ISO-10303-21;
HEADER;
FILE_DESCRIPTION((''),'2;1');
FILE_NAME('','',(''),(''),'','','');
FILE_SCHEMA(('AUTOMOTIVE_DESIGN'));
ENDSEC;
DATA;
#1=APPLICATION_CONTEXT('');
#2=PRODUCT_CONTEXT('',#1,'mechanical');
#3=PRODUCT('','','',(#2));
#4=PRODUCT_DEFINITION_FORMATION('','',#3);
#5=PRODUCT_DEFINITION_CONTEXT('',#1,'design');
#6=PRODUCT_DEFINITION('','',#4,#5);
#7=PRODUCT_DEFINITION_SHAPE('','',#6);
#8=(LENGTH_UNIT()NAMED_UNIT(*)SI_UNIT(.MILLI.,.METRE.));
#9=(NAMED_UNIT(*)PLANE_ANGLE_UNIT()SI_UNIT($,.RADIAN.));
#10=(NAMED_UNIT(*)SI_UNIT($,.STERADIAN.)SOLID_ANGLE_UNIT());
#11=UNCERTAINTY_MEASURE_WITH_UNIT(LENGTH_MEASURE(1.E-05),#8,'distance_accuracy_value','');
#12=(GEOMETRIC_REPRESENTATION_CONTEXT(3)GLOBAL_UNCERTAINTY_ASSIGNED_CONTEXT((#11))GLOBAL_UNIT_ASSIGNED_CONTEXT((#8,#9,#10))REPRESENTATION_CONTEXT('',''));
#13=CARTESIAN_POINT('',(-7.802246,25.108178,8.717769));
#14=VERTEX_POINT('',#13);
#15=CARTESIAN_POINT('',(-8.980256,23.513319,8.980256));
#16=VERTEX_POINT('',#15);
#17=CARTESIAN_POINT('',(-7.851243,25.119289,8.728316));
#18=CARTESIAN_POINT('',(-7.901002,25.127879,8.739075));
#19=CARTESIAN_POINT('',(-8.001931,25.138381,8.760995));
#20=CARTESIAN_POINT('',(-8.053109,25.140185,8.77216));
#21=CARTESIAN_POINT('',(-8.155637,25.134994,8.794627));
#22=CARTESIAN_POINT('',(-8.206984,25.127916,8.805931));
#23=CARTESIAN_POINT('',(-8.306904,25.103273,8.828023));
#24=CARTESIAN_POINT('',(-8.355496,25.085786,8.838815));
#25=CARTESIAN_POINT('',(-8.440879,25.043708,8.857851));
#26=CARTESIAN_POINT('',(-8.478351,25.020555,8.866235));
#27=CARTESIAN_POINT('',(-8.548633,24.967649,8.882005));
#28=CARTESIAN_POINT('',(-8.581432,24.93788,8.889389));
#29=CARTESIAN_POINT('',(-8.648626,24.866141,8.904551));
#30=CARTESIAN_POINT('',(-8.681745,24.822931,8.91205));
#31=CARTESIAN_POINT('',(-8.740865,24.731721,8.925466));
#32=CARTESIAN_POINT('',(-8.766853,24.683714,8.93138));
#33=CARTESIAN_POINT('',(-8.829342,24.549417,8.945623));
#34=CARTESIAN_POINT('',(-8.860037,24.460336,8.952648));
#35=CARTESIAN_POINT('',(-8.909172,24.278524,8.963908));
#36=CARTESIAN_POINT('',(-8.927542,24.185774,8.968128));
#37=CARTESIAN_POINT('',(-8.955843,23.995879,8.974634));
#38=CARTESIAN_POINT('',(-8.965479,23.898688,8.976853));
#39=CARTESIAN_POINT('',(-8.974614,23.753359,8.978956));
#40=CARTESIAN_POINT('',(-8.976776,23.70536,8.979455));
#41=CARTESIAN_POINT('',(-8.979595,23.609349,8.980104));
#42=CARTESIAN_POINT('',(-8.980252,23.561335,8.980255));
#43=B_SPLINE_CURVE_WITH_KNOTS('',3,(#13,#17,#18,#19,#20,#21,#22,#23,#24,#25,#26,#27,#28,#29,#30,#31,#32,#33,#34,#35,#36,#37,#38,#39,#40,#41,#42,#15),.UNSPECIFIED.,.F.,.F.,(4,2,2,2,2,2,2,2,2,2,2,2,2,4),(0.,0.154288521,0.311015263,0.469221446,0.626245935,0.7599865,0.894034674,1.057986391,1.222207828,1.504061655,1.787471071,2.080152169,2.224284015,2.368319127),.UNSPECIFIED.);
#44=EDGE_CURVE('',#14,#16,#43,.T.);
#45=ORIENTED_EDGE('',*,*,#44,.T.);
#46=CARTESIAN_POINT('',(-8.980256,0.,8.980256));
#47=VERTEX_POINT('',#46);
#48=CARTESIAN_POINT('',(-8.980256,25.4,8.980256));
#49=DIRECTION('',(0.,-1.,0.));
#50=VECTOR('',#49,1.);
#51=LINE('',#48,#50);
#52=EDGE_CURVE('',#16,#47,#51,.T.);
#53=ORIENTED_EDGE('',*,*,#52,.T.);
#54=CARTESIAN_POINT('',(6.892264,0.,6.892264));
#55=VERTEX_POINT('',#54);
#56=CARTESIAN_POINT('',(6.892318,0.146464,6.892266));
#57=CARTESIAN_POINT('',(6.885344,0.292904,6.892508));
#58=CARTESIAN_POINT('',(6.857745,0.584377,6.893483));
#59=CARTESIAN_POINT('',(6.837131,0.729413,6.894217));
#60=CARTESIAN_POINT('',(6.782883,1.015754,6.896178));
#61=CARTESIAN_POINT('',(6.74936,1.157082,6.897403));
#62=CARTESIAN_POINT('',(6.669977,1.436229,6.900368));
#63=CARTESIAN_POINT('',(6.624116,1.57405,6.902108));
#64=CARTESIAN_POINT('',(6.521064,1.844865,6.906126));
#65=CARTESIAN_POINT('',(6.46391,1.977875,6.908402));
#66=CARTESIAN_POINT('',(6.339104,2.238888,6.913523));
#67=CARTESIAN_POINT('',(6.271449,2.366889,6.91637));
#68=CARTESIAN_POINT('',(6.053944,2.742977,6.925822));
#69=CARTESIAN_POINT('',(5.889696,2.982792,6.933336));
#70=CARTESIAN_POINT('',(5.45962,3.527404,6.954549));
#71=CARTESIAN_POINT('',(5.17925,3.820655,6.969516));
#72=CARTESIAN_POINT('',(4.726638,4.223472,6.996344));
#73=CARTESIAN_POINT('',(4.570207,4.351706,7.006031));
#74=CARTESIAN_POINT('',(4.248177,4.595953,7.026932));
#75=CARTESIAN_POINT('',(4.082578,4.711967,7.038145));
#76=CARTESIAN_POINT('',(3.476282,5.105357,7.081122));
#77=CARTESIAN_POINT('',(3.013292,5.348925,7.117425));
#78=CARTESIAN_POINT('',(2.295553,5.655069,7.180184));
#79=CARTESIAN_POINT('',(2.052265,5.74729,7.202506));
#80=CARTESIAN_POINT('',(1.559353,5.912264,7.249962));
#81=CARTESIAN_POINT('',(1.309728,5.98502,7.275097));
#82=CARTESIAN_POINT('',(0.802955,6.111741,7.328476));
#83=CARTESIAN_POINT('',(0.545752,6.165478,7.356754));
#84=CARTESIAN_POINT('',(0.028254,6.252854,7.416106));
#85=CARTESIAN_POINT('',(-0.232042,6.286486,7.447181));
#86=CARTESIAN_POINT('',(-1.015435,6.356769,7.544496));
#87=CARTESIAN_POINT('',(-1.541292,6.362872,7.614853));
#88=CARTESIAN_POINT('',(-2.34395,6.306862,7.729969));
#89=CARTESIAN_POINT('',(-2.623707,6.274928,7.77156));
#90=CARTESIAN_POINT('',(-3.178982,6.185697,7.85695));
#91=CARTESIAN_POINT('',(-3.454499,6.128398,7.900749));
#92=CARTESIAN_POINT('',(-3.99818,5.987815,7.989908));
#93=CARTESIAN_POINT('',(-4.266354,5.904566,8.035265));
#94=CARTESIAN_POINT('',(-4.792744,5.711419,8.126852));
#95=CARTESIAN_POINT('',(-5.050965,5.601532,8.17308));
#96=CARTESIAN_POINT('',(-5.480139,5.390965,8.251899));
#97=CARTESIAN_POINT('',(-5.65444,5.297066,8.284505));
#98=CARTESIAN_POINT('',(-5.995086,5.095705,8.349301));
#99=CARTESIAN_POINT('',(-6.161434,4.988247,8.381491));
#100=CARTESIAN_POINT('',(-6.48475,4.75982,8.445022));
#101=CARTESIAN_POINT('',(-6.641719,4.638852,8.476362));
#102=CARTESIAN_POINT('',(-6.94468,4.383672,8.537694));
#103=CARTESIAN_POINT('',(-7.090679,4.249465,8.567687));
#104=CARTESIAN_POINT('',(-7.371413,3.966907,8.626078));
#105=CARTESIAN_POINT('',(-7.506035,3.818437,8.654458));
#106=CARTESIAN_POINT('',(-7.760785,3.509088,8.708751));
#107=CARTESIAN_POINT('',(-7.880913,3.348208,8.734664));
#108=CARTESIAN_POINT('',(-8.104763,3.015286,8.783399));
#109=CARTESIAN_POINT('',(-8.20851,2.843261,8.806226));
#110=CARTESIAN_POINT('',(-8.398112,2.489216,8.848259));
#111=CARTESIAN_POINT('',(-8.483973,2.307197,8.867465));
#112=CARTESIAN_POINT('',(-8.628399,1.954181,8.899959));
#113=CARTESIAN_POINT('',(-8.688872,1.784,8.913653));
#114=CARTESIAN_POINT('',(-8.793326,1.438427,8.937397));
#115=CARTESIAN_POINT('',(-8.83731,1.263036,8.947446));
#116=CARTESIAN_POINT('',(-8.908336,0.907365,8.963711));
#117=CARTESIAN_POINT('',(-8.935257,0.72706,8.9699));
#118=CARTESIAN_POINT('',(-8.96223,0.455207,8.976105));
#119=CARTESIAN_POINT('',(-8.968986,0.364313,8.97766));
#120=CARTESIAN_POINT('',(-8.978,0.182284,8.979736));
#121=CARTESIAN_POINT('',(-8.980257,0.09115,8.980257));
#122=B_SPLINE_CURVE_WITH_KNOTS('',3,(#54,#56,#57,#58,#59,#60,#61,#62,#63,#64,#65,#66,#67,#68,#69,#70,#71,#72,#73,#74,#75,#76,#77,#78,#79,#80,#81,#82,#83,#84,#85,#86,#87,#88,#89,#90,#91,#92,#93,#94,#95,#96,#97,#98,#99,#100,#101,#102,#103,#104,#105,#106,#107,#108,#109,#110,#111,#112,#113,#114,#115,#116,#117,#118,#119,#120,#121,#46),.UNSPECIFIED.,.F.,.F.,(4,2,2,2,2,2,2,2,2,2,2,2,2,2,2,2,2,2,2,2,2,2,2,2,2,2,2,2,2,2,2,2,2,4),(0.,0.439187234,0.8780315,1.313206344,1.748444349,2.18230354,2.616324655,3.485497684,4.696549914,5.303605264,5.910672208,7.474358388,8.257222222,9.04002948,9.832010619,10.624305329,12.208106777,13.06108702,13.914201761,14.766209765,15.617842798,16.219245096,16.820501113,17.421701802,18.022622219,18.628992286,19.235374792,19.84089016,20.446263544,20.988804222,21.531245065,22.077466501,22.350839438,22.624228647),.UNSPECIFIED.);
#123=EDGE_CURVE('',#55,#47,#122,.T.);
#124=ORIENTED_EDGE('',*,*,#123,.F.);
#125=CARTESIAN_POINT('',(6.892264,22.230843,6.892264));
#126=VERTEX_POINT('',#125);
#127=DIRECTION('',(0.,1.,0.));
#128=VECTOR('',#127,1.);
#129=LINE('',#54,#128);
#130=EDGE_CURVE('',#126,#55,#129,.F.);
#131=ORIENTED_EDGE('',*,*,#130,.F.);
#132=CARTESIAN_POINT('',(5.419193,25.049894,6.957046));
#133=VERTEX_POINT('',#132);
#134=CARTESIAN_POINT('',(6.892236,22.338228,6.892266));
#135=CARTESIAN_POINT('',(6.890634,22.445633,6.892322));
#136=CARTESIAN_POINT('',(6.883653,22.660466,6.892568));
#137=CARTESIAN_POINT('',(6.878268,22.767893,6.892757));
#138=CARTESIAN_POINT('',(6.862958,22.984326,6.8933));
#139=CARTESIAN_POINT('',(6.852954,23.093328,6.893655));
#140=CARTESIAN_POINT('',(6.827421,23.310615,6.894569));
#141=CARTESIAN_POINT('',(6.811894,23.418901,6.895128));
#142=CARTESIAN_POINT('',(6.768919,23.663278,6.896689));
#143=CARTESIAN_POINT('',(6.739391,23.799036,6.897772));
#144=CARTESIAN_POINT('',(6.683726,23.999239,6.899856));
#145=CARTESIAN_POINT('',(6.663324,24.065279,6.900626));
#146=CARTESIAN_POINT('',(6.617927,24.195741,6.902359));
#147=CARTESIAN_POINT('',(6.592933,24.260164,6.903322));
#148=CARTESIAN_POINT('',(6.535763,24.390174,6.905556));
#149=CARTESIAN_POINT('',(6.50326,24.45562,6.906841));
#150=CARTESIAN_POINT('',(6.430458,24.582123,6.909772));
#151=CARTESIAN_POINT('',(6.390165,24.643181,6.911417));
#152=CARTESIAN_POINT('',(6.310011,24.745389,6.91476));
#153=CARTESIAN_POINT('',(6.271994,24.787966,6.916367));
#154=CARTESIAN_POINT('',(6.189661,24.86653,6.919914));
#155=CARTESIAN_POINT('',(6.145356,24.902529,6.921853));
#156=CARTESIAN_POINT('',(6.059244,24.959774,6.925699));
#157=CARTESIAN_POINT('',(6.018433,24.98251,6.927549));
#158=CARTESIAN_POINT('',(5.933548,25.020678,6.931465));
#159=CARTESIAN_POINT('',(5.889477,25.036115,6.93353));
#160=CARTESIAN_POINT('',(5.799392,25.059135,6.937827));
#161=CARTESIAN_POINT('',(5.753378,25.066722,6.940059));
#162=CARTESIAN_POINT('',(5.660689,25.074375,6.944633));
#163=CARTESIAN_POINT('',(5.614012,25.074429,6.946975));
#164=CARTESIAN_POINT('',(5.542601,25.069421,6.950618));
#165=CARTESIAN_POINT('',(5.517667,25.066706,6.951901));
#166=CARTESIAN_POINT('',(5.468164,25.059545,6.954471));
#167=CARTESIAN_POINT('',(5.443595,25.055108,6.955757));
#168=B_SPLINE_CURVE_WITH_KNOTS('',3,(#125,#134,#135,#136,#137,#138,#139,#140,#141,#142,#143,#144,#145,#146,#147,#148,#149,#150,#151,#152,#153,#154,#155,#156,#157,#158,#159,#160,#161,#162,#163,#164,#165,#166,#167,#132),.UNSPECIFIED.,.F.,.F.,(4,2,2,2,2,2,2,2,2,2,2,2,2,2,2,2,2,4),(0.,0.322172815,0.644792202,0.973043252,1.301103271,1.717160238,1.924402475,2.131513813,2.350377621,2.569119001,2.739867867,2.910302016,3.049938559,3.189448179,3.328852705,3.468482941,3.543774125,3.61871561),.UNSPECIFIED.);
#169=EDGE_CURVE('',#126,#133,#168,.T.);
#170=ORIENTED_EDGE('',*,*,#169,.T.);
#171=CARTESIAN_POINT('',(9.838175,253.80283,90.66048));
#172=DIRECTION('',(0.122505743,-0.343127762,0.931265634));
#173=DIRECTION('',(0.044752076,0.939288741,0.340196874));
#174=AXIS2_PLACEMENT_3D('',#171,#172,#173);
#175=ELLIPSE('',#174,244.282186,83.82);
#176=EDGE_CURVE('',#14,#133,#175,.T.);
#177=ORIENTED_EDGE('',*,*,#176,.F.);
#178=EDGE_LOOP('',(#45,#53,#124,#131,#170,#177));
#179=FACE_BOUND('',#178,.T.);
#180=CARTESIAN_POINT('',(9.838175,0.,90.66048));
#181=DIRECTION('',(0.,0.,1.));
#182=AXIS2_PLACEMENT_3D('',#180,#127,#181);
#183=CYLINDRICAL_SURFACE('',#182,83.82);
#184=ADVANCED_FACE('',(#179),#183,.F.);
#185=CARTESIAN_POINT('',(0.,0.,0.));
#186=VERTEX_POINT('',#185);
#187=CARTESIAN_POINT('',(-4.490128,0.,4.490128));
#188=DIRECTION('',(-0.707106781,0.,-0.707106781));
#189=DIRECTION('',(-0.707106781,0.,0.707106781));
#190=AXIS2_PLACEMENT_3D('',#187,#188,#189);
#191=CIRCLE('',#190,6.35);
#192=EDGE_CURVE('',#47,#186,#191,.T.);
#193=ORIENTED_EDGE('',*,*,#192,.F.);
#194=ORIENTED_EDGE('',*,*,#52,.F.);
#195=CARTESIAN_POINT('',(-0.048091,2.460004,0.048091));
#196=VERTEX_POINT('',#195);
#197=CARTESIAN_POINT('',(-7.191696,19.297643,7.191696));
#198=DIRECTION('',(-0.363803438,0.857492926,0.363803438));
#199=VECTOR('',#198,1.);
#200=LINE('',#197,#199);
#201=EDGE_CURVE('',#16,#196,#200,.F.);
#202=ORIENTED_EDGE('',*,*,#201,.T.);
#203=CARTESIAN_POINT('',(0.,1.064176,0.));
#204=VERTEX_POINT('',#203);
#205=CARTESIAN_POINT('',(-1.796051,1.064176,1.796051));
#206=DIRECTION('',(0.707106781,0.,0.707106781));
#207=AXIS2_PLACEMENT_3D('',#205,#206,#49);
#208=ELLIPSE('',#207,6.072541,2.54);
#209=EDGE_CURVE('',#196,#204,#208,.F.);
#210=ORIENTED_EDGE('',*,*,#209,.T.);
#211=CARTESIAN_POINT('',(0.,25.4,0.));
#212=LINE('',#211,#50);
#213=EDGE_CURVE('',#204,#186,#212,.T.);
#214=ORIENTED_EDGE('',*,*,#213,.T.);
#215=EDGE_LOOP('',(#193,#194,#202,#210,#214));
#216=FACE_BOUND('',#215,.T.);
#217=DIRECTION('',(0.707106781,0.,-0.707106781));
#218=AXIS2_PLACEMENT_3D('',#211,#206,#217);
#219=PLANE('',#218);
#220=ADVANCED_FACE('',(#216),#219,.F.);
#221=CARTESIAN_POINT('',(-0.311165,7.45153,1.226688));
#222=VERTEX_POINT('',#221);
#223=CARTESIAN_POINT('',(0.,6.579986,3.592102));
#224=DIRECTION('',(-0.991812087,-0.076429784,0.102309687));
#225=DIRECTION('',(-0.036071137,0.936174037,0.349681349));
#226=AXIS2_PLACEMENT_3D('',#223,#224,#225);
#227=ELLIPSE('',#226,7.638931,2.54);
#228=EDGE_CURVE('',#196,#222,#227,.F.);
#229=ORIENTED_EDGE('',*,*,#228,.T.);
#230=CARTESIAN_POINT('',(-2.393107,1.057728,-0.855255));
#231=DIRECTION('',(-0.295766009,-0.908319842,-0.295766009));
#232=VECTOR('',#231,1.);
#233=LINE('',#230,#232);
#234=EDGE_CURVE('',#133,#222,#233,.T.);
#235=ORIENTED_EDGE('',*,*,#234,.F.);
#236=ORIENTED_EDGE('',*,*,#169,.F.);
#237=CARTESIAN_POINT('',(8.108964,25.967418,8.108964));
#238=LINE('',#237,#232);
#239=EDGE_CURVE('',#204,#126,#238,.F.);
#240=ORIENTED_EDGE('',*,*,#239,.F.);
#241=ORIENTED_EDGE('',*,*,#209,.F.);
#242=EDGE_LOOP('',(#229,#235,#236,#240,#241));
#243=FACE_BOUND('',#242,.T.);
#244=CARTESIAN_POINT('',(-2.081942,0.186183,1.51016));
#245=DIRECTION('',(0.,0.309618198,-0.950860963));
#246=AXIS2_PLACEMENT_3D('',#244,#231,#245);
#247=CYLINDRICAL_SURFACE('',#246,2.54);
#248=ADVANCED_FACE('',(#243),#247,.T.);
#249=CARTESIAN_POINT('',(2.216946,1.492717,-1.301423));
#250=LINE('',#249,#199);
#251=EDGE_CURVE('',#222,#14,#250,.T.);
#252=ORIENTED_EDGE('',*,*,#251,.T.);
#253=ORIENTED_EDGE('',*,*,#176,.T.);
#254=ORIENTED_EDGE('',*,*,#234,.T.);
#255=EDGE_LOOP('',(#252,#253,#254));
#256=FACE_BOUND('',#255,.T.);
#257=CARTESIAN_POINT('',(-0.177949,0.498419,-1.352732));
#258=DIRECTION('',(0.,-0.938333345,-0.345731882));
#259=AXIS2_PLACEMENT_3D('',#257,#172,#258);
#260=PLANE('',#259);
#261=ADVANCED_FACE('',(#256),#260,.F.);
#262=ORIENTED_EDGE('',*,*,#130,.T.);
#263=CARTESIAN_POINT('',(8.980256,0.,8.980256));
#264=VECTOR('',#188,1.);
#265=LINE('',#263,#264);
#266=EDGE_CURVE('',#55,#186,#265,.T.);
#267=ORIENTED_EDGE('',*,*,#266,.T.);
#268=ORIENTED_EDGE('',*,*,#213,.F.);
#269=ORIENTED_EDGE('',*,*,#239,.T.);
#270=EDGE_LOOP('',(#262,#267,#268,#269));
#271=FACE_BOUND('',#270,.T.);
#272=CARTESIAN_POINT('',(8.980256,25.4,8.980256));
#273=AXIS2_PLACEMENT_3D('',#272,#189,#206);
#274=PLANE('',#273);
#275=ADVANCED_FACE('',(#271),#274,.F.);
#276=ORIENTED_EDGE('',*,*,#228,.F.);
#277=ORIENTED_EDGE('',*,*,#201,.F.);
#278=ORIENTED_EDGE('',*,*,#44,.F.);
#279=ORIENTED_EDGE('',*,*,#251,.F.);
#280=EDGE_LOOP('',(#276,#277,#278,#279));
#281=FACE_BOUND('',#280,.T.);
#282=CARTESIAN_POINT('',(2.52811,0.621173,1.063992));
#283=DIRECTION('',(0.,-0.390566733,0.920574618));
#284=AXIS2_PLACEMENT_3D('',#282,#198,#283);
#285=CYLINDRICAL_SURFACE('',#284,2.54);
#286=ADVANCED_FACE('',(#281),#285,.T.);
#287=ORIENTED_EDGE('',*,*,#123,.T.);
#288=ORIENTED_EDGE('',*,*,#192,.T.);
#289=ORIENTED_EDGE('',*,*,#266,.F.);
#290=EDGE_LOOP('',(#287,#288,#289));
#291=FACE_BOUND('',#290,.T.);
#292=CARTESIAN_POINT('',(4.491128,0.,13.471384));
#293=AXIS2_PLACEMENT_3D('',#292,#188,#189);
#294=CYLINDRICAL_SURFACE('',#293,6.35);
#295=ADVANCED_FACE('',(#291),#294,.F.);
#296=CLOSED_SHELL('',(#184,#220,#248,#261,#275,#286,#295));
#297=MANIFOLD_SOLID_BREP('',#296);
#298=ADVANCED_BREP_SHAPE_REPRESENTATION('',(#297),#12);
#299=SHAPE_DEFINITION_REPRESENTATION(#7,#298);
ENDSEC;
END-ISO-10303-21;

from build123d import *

# Parameters (mm, degrees)
BOSS_EXTRUDE1_DEPTH = 25.4
CUT_EXTRUDE1_REACH  = 30.398
SKETCH2_R           = 6.35
SKETCH4_R           = 83.82
CUT_EXTRUDE3_DEPTH  = 29.398063314
CUT_EXTRUDE4_REACH  = 30.361
FILLET1_R           = 2.54


with BuildPart() as part:
    # Sketch1 → Boss-Extrude1 (new body)
    with BuildSketch(Plane(origin=(0, 0, 0), x_dir=(1, 0, 0), z_dir=(0, 1, 0))):
        Polygon((0, 0), (-8.980256121, -8.980256121), (8.980256121, -8.980256121), align=None)
    extrude(amount=BOSS_EXTRUDE1_DEPTH)

    # Sketch2 → Cut-Extrude1 (cut, up to next)
    with BuildSketch(Plane(origin=(0, 0, 0), x_dir=(-0.7071067811865474, 0, 0.7071067811865477), z_dir=(-0.7071067811865477, 0, -0.7071067811865474)), mode=Mode.PRIVATE) as cut_extrude1_sk1:
        with Locations((6.35, 0)):
            Circle(SKETCH2_R)
    cut_extrude1_tool1 = extrude(cut_extrude1_sk1.sketch, amount=-CUT_EXTRUDE1_REACH, mode=Mode.PRIVATE) & part.part
    add(cut_extrude1_tool1.solids().sort_by_distance((-4.490128, 0, 4.490128))[0], mode=Mode.SUBTRACT)

    # Sketch4 → Cut-Extrude3 (cut, through all)
    with BuildSketch(Plane(origin=(0, 25.4, 0), x_dir=(1, 0, 0), z_dir=(0, 1, 0))):
        with Locations((9.838175311, -90.660480401)):
            Circle(SKETCH4_R)
    extrude(amount=-CUT_EXTRUDE3_DEPTH, mode=Mode.SUBTRACT)

    # Sketch5 → Cut-Extrude4 (cut, up to next)
    with BuildSketch(Plane(origin=(-0.17794868, 0.498418532, -1.352732428), x_dir=(0.9924678045108148, 0.042354141044031964, -0.11495122333366167), z_dir=(0.12250574276124004, -0.3431277622293754, 0.9312656343804265)), mode=Mode.PRIVATE) as cut_extrude4_sk1:
        Polygon((7.123871491, 3.972277825), (-8.869111321, 3.972277825), (-8.869111321, 26.938427805), (7.123871491, 26.216542503), align=None)
    cut_extrude4_tool1 = extrude(cut_extrude4_sk1.sketch, amount=-CUT_EXTRUDE4_REACH, mode=Mode.PRIVATE) & part.part
    add(cut_extrude4_tool1.solids().sort_by_distance((-1.086236, 14.793489, 4.033814))[0], mode=Mode.SUBTRACT)

    # Fillet1
    fillet1_edges = [part.edges().sort_by_distance(p)[0] for p in [
        (3.446132209, 14.816666667, 3.446132209),
        (-4.490128061, 14.816666667, 4.490128061),
    ]]
    fillet(fillet1_edges, radius=FILLET1_R)


solid = part.part
